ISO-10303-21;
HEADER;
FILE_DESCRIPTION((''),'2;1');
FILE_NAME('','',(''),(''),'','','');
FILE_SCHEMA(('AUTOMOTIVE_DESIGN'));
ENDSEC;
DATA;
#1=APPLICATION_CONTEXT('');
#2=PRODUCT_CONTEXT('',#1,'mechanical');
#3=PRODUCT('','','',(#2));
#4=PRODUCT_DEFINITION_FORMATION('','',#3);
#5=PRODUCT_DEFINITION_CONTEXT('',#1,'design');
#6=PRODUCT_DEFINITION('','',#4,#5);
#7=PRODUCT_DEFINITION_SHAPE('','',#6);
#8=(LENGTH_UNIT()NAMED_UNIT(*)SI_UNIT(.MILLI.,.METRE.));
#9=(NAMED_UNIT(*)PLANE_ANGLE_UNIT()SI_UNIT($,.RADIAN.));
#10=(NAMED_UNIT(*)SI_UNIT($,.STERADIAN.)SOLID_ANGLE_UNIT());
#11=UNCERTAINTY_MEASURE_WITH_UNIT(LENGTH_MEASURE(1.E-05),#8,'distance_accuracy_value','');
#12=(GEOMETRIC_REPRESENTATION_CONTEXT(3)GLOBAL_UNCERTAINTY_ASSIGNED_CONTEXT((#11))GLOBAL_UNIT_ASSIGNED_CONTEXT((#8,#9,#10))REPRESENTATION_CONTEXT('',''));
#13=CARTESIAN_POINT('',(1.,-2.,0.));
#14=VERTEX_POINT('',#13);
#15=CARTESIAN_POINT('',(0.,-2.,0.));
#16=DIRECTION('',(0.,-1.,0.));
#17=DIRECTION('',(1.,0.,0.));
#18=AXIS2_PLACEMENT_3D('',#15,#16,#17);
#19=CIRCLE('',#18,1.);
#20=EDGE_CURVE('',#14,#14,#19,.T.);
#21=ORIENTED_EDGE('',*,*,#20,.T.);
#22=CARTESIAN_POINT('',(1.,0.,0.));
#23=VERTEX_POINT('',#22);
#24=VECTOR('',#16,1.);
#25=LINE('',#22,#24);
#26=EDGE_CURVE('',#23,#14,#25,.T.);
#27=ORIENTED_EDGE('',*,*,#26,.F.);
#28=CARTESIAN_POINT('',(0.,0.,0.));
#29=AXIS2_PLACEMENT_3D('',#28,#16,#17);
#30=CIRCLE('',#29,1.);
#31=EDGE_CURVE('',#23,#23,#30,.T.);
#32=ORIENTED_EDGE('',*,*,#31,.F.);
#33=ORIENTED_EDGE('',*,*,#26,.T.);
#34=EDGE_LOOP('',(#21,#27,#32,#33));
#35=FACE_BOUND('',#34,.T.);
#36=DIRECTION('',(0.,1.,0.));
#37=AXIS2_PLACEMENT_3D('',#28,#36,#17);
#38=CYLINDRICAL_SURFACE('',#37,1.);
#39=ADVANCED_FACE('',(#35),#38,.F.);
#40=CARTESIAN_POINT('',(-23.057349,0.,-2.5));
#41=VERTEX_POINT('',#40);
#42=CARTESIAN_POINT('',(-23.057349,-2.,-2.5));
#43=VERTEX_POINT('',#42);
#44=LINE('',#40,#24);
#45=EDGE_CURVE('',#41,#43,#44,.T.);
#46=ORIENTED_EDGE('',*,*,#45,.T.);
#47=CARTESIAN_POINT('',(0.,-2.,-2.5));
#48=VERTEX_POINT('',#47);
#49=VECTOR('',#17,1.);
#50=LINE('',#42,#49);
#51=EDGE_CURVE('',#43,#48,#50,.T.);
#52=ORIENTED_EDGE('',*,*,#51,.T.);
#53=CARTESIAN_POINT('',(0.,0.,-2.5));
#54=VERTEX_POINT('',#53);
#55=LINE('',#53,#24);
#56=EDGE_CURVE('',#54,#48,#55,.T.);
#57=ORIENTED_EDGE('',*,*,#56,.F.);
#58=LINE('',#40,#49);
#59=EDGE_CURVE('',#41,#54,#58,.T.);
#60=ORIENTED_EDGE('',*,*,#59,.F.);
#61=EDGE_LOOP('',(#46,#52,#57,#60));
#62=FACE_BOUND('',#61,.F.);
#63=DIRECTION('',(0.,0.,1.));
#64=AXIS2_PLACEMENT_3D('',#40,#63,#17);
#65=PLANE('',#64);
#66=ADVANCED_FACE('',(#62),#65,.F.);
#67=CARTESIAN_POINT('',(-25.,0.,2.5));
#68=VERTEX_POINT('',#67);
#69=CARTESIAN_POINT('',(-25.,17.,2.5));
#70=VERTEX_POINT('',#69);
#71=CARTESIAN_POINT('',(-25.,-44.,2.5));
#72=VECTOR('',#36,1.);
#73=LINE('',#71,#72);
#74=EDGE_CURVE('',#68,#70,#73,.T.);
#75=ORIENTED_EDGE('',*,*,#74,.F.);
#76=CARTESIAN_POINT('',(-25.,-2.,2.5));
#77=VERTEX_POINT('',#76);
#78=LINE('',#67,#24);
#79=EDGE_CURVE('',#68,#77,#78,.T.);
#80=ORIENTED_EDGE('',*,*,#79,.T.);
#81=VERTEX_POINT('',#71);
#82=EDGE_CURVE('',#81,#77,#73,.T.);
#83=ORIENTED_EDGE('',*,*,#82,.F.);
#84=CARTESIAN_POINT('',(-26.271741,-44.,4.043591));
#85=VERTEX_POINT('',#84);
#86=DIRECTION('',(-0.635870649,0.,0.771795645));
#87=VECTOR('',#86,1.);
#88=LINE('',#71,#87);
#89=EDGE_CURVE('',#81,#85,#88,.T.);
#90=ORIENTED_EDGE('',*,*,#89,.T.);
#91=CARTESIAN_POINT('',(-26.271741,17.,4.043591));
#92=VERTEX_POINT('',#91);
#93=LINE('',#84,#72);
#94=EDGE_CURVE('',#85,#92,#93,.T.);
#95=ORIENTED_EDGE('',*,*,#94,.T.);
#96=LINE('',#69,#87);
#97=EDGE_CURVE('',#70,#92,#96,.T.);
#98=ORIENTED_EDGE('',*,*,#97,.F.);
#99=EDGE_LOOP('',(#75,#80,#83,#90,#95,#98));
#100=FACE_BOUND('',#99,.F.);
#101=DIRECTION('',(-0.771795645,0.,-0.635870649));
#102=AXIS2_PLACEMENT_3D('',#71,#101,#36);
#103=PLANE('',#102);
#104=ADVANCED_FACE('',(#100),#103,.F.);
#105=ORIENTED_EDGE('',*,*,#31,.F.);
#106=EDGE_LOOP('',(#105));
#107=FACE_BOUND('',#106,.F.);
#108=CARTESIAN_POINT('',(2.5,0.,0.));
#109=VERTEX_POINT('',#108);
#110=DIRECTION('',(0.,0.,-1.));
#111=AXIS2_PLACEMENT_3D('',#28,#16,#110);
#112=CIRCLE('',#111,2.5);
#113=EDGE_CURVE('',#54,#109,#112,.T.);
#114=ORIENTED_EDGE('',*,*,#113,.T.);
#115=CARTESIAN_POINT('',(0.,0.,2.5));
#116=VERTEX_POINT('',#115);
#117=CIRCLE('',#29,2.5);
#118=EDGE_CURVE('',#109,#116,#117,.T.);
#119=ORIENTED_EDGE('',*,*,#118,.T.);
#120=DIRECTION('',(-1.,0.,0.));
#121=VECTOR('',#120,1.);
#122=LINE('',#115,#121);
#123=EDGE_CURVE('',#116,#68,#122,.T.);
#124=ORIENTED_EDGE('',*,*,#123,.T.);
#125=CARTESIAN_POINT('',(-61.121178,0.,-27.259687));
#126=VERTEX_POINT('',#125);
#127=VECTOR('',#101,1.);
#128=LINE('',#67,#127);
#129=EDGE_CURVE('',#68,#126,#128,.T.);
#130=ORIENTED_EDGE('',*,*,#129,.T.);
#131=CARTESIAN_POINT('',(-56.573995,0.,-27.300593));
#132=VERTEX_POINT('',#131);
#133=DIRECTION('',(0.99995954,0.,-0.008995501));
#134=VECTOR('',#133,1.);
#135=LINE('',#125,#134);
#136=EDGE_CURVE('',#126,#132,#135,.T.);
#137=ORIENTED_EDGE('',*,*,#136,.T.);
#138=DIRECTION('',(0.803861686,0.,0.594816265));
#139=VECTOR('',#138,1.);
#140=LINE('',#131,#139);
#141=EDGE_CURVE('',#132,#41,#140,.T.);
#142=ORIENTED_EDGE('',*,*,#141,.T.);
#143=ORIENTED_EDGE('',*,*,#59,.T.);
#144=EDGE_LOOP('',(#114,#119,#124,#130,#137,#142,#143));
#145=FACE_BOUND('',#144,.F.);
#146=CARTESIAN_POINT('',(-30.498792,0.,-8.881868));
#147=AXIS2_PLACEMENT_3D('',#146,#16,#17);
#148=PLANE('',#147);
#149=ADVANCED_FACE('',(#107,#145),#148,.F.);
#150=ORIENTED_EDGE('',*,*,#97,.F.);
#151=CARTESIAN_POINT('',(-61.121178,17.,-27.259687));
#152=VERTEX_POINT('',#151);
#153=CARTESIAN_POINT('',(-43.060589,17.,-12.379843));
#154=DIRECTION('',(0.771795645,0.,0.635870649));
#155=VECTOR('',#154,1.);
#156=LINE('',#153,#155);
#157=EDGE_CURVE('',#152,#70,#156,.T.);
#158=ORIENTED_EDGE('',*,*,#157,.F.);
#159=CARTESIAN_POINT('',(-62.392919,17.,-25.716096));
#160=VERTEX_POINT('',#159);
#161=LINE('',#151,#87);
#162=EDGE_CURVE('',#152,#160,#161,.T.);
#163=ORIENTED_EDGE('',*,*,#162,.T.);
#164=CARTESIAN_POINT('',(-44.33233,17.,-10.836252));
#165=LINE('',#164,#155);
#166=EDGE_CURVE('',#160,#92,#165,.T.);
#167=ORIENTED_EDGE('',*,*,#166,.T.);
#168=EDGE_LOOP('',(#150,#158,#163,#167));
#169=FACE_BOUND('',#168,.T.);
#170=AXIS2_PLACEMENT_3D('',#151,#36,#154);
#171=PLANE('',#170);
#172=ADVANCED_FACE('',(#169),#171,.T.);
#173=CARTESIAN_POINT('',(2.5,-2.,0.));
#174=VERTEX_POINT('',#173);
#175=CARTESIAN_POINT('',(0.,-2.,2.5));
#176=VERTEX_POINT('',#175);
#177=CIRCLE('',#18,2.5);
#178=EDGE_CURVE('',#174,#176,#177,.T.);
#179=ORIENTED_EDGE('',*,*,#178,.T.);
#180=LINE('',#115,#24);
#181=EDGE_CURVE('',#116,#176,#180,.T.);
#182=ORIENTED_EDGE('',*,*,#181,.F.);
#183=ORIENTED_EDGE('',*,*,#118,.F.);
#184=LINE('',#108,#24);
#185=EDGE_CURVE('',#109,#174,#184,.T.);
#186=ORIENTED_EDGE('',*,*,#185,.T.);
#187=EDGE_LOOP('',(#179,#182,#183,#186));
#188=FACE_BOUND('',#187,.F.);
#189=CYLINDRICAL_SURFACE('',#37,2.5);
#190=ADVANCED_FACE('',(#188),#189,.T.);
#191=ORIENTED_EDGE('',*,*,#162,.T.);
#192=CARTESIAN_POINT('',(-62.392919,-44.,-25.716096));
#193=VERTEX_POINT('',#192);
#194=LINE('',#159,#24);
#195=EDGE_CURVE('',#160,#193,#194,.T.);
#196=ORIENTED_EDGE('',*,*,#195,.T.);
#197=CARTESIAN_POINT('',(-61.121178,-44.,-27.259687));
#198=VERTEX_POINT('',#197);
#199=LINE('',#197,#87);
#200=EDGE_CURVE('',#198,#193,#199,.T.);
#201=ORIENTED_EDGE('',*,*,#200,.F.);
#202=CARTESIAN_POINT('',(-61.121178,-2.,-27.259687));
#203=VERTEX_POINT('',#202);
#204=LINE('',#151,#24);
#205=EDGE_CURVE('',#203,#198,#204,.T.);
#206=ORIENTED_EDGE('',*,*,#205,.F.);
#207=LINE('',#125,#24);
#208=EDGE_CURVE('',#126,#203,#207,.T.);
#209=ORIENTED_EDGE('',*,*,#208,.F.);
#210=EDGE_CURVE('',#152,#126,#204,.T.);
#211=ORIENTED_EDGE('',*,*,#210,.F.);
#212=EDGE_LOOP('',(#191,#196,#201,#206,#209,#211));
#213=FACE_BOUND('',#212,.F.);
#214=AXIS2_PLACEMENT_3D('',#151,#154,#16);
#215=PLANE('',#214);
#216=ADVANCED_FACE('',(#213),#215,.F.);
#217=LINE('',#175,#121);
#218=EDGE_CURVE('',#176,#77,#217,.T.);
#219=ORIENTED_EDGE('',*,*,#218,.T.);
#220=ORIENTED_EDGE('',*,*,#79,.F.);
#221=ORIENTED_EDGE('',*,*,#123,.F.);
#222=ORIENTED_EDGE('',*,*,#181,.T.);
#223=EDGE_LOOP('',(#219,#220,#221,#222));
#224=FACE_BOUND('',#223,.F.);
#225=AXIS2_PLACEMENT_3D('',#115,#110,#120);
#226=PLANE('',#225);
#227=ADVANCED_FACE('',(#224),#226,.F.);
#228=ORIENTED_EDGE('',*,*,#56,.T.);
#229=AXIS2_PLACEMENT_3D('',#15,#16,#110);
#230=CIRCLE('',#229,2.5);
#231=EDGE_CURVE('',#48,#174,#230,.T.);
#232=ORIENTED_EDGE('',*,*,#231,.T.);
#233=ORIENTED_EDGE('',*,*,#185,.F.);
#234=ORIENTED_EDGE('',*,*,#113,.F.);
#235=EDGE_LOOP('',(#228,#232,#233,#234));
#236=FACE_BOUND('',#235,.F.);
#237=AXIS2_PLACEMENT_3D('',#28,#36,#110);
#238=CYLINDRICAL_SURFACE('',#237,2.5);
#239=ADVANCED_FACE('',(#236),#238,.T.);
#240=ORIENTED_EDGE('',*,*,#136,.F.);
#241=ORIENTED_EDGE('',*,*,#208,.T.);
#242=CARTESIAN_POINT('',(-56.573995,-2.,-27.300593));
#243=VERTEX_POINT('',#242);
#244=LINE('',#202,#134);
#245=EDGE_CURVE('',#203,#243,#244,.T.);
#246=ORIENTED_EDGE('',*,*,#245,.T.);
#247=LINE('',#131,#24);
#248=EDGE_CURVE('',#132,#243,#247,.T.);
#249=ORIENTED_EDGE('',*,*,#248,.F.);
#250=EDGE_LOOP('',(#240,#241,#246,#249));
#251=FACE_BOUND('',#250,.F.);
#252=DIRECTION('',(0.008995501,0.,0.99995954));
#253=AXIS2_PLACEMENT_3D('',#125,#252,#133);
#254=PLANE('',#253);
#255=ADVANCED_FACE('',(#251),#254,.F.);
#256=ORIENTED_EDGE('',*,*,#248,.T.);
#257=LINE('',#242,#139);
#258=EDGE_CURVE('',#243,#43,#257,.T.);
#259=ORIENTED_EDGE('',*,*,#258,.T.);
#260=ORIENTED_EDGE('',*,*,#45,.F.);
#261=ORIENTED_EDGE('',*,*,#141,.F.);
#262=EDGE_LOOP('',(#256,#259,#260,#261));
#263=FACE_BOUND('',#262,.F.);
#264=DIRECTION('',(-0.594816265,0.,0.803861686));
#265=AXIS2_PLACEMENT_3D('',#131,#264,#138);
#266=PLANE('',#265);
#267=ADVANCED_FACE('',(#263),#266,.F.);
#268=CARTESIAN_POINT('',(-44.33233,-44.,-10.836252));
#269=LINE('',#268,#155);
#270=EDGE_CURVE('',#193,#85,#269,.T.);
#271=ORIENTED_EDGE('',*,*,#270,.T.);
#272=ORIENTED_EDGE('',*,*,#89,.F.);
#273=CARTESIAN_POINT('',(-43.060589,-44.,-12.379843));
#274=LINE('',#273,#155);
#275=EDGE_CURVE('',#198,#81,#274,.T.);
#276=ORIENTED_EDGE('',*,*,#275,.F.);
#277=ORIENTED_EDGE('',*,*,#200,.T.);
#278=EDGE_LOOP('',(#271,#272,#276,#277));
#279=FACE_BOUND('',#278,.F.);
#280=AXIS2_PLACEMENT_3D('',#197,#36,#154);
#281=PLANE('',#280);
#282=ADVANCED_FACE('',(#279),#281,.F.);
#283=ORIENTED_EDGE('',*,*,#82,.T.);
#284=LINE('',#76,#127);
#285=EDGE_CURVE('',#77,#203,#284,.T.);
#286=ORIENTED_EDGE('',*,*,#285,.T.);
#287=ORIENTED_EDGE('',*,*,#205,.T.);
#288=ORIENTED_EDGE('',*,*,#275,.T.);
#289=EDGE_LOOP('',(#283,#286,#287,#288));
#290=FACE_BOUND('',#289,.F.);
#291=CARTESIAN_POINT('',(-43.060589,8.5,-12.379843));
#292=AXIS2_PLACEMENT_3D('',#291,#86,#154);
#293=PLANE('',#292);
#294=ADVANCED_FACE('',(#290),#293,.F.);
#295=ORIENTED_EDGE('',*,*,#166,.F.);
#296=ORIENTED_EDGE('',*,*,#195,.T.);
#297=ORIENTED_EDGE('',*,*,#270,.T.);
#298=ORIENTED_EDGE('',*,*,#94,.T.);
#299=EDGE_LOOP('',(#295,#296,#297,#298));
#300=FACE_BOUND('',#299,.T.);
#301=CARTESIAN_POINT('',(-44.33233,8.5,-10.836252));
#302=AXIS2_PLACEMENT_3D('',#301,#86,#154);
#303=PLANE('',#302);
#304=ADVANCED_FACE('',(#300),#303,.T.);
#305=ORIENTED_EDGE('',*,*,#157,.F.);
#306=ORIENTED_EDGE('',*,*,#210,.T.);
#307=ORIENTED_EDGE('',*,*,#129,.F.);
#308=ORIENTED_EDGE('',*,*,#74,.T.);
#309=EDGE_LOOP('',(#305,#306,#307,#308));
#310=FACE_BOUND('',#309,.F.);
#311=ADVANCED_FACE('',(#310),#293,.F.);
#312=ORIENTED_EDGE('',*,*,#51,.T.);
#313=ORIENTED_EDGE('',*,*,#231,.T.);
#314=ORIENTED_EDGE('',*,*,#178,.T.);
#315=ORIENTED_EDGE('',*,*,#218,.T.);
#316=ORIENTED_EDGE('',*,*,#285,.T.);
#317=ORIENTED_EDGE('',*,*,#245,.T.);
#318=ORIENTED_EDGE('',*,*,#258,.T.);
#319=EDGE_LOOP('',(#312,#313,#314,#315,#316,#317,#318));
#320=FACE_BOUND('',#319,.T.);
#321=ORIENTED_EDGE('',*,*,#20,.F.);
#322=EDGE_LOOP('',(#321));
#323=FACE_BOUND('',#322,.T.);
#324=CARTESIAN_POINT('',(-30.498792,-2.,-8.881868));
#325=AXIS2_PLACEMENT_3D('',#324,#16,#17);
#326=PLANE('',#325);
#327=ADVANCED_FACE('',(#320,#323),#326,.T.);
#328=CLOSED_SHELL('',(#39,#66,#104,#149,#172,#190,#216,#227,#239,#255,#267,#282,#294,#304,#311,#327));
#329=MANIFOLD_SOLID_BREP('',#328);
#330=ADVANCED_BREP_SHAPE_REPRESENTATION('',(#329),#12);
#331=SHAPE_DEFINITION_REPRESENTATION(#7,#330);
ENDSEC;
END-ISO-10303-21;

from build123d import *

# Parameters (mm, degrees)
F0_R     = 1
F1_DEPTH = 2
F2_W     = 46.8014790542
F2_H     = 17
F2_H_2   = 2
F2_H_3   = 42
F3_DEPTH = 2


with BuildPart() as f1:
    # F0 (on Front) → F1 (new body)
    with BuildSketch(Plane.XZ):
        with BuildLine():
            ThreePointArc((0, -2.5), (-2.5, 0), (0, 2.5))
            Line((0, 2.5), (-25, 2.5))
            Line((-25, 2.5), (-61.1211777337, -27.2596868397))
            Line((-61.1211777337, -27.2596868397), (-56.5739951013, -27.3005926817))
            Line((-56.5739951013, -27.3005926817), (-23.0573490262, -2.5))
            Line((-23.0573490262, -2.5), (0, -2.5))
        make_face()
        with BuildLine():
            ThreePointArc((0, -2.5), (1.767766953, -1.767766953), (2.5, 0))
            ThreePointArc((2.5, 0), (1.767766953, 1.767766953), (0, 2.5))
            ThreePointArc((0, 2.5), (-2.5, 0), (0, -2.5))
        make_face()
        Circle(F0_R, mode=Mode.SUBTRACT)
    extrude(amount=F1_DEPTH)

    # F2 (on face) → F3 (join)
    with BuildSketch(Plane(origin=(-11.3351925365, 0, 13.7582262361), x_dir=(0.7717956454, 0, 0.6358706486), z_dir=(-0.6358706486, 0, 0.7717956454))):
        with Locations((-41.1059540414, 8.5)):
            Rectangle(F2_W, F2_H)
        with Locations((-41.1059540414, -1)):
            Rectangle(F2_W, F2_H_2)
        with Locations((-41.1059540414, -23)):
            Rectangle(F2_W, F2_H_3)
    extrude(amount=F3_DEPTH)


solid = f1.part
